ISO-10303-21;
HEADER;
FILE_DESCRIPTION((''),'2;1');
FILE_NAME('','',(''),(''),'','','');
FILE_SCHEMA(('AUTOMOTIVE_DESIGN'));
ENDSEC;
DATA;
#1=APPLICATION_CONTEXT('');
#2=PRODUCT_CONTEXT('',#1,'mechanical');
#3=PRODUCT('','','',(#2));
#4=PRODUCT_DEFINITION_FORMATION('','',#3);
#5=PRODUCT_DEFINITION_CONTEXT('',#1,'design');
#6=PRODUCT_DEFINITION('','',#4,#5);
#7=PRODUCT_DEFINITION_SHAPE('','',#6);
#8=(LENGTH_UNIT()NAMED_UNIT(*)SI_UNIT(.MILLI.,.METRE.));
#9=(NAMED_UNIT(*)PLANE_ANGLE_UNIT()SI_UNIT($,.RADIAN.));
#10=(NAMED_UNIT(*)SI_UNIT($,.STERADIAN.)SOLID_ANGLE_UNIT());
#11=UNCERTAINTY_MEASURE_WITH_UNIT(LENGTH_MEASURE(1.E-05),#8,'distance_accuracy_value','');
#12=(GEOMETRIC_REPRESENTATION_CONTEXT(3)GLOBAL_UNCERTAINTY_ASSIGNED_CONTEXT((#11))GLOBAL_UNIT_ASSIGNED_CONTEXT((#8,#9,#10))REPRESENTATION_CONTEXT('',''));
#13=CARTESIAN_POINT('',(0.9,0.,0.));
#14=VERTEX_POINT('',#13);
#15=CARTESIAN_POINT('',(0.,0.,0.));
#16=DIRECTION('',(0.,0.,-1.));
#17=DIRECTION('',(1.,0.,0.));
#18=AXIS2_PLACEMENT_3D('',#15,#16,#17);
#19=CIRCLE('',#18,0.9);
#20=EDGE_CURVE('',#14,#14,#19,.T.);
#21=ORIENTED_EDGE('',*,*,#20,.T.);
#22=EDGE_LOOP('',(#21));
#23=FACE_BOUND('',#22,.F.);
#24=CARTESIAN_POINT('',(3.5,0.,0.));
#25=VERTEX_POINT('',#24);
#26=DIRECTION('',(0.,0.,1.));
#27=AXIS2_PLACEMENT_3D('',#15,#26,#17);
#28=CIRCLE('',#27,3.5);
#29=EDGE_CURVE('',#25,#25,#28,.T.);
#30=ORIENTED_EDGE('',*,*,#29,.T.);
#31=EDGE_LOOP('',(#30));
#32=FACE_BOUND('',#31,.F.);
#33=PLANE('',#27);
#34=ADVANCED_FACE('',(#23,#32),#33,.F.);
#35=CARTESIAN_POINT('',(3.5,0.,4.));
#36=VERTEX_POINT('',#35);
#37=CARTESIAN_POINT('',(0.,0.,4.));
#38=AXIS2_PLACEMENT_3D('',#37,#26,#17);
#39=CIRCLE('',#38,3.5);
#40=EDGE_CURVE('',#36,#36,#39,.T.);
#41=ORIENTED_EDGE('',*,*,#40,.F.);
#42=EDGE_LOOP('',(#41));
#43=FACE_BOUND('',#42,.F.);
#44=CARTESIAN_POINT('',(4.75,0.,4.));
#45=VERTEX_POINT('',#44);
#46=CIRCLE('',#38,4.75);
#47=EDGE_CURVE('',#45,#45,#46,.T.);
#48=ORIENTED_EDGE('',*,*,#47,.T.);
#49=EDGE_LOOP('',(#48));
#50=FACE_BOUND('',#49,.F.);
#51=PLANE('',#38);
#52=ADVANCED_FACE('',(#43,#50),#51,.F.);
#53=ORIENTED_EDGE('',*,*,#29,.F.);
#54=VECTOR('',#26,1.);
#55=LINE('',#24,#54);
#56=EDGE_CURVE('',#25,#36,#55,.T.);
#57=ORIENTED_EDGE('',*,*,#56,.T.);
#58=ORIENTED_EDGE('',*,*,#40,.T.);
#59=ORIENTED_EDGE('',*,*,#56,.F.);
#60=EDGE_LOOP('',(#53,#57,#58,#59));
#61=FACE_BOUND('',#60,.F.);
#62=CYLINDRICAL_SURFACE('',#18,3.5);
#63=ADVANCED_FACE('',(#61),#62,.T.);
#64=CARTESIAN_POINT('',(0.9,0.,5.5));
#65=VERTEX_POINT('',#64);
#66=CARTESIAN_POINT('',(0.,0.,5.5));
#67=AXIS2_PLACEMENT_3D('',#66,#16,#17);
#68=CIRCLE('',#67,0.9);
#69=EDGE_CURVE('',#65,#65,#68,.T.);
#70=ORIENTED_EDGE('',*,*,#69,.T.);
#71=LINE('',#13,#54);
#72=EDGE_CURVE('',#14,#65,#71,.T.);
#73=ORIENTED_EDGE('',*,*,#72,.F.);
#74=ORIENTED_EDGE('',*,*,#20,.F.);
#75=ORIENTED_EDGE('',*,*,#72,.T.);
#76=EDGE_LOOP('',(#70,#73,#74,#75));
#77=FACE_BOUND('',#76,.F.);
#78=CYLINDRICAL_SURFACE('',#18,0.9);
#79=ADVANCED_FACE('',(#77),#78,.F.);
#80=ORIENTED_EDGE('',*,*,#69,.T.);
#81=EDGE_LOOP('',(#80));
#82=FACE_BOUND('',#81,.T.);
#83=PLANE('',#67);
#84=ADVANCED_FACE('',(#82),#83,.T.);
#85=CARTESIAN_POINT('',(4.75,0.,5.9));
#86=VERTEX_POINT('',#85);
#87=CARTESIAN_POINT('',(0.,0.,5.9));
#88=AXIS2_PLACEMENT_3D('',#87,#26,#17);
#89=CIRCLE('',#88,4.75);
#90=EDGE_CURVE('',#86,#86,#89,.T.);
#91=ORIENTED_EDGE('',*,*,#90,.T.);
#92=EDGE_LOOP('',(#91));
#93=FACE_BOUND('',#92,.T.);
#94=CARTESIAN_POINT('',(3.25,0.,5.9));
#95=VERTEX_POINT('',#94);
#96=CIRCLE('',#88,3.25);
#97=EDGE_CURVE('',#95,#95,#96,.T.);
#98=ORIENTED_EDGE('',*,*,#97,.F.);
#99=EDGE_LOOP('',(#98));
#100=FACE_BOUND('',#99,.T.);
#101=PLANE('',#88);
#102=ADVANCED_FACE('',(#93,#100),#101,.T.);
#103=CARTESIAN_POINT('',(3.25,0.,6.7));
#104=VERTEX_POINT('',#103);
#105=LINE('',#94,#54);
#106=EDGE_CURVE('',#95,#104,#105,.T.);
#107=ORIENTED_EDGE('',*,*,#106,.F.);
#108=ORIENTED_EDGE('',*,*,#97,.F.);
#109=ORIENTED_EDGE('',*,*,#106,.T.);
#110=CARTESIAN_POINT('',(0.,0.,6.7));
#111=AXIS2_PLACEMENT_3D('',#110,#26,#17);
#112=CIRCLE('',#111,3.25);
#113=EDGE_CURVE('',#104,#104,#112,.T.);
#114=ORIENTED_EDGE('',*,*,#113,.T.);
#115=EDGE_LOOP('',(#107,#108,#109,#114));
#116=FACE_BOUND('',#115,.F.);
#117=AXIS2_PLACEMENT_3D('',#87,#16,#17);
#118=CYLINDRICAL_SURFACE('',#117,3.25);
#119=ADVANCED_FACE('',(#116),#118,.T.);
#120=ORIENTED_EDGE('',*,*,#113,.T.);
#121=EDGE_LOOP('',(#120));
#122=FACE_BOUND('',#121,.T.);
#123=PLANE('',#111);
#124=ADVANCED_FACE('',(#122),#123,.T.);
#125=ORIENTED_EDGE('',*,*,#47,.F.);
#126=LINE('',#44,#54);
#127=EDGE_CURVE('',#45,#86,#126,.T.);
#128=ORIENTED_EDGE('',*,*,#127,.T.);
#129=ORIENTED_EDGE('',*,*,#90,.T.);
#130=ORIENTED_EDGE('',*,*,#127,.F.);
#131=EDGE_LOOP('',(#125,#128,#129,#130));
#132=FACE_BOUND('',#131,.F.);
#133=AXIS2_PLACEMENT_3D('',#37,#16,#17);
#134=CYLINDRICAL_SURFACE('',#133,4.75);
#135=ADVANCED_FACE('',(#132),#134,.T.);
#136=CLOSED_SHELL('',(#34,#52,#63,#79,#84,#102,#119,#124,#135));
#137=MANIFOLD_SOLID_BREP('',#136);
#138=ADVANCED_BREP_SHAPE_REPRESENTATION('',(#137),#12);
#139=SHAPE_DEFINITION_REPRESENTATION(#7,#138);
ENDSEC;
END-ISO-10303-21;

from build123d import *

# Parameters (mm, degrees)
F0_R     = 3.5
F1_DEPTH = 4
F2_R     = 4.75
F2_R_2   = 3.5
F3_DEPTH = 1.9
F4_R     = 3.25
F5_DEPTH = 0.8
F6_R     = 0.9
F7_DEPTH = 5.5


with BuildPart() as f1:
    # F0 (on Top) → F1 (new body)
    with BuildSketch(Plane.XY):
        Circle(F0_R)
    extrude(amount=F1_DEPTH)

    # F2 (on face) → F3 (join)
    with BuildSketch(Plane.XY.offset(4)):
        Circle(F2_R)
        Circle(F2_R_2, mode=Mode.SUBTRACT)
        Circle(F2_R_2)
    extrude(amount=F3_DEPTH)

    # F4 (on face) → F5 (join)
    with BuildSketch(Plane.XY.offset(5.9)):
        Circle(F4_R)
    extrude(amount=F5_DEPTH)

    # F6 (on face) → F7 (cut)
    with BuildSketch(Plane(origin=(0, 0, 0), x_dir=(1, 0, 0), z_dir=(0, 0, -1))):
        Circle(F6_R)
    extrude(amount=-F7_DEPTH, mode=Mode.SUBTRACT)


solid = f1.part
